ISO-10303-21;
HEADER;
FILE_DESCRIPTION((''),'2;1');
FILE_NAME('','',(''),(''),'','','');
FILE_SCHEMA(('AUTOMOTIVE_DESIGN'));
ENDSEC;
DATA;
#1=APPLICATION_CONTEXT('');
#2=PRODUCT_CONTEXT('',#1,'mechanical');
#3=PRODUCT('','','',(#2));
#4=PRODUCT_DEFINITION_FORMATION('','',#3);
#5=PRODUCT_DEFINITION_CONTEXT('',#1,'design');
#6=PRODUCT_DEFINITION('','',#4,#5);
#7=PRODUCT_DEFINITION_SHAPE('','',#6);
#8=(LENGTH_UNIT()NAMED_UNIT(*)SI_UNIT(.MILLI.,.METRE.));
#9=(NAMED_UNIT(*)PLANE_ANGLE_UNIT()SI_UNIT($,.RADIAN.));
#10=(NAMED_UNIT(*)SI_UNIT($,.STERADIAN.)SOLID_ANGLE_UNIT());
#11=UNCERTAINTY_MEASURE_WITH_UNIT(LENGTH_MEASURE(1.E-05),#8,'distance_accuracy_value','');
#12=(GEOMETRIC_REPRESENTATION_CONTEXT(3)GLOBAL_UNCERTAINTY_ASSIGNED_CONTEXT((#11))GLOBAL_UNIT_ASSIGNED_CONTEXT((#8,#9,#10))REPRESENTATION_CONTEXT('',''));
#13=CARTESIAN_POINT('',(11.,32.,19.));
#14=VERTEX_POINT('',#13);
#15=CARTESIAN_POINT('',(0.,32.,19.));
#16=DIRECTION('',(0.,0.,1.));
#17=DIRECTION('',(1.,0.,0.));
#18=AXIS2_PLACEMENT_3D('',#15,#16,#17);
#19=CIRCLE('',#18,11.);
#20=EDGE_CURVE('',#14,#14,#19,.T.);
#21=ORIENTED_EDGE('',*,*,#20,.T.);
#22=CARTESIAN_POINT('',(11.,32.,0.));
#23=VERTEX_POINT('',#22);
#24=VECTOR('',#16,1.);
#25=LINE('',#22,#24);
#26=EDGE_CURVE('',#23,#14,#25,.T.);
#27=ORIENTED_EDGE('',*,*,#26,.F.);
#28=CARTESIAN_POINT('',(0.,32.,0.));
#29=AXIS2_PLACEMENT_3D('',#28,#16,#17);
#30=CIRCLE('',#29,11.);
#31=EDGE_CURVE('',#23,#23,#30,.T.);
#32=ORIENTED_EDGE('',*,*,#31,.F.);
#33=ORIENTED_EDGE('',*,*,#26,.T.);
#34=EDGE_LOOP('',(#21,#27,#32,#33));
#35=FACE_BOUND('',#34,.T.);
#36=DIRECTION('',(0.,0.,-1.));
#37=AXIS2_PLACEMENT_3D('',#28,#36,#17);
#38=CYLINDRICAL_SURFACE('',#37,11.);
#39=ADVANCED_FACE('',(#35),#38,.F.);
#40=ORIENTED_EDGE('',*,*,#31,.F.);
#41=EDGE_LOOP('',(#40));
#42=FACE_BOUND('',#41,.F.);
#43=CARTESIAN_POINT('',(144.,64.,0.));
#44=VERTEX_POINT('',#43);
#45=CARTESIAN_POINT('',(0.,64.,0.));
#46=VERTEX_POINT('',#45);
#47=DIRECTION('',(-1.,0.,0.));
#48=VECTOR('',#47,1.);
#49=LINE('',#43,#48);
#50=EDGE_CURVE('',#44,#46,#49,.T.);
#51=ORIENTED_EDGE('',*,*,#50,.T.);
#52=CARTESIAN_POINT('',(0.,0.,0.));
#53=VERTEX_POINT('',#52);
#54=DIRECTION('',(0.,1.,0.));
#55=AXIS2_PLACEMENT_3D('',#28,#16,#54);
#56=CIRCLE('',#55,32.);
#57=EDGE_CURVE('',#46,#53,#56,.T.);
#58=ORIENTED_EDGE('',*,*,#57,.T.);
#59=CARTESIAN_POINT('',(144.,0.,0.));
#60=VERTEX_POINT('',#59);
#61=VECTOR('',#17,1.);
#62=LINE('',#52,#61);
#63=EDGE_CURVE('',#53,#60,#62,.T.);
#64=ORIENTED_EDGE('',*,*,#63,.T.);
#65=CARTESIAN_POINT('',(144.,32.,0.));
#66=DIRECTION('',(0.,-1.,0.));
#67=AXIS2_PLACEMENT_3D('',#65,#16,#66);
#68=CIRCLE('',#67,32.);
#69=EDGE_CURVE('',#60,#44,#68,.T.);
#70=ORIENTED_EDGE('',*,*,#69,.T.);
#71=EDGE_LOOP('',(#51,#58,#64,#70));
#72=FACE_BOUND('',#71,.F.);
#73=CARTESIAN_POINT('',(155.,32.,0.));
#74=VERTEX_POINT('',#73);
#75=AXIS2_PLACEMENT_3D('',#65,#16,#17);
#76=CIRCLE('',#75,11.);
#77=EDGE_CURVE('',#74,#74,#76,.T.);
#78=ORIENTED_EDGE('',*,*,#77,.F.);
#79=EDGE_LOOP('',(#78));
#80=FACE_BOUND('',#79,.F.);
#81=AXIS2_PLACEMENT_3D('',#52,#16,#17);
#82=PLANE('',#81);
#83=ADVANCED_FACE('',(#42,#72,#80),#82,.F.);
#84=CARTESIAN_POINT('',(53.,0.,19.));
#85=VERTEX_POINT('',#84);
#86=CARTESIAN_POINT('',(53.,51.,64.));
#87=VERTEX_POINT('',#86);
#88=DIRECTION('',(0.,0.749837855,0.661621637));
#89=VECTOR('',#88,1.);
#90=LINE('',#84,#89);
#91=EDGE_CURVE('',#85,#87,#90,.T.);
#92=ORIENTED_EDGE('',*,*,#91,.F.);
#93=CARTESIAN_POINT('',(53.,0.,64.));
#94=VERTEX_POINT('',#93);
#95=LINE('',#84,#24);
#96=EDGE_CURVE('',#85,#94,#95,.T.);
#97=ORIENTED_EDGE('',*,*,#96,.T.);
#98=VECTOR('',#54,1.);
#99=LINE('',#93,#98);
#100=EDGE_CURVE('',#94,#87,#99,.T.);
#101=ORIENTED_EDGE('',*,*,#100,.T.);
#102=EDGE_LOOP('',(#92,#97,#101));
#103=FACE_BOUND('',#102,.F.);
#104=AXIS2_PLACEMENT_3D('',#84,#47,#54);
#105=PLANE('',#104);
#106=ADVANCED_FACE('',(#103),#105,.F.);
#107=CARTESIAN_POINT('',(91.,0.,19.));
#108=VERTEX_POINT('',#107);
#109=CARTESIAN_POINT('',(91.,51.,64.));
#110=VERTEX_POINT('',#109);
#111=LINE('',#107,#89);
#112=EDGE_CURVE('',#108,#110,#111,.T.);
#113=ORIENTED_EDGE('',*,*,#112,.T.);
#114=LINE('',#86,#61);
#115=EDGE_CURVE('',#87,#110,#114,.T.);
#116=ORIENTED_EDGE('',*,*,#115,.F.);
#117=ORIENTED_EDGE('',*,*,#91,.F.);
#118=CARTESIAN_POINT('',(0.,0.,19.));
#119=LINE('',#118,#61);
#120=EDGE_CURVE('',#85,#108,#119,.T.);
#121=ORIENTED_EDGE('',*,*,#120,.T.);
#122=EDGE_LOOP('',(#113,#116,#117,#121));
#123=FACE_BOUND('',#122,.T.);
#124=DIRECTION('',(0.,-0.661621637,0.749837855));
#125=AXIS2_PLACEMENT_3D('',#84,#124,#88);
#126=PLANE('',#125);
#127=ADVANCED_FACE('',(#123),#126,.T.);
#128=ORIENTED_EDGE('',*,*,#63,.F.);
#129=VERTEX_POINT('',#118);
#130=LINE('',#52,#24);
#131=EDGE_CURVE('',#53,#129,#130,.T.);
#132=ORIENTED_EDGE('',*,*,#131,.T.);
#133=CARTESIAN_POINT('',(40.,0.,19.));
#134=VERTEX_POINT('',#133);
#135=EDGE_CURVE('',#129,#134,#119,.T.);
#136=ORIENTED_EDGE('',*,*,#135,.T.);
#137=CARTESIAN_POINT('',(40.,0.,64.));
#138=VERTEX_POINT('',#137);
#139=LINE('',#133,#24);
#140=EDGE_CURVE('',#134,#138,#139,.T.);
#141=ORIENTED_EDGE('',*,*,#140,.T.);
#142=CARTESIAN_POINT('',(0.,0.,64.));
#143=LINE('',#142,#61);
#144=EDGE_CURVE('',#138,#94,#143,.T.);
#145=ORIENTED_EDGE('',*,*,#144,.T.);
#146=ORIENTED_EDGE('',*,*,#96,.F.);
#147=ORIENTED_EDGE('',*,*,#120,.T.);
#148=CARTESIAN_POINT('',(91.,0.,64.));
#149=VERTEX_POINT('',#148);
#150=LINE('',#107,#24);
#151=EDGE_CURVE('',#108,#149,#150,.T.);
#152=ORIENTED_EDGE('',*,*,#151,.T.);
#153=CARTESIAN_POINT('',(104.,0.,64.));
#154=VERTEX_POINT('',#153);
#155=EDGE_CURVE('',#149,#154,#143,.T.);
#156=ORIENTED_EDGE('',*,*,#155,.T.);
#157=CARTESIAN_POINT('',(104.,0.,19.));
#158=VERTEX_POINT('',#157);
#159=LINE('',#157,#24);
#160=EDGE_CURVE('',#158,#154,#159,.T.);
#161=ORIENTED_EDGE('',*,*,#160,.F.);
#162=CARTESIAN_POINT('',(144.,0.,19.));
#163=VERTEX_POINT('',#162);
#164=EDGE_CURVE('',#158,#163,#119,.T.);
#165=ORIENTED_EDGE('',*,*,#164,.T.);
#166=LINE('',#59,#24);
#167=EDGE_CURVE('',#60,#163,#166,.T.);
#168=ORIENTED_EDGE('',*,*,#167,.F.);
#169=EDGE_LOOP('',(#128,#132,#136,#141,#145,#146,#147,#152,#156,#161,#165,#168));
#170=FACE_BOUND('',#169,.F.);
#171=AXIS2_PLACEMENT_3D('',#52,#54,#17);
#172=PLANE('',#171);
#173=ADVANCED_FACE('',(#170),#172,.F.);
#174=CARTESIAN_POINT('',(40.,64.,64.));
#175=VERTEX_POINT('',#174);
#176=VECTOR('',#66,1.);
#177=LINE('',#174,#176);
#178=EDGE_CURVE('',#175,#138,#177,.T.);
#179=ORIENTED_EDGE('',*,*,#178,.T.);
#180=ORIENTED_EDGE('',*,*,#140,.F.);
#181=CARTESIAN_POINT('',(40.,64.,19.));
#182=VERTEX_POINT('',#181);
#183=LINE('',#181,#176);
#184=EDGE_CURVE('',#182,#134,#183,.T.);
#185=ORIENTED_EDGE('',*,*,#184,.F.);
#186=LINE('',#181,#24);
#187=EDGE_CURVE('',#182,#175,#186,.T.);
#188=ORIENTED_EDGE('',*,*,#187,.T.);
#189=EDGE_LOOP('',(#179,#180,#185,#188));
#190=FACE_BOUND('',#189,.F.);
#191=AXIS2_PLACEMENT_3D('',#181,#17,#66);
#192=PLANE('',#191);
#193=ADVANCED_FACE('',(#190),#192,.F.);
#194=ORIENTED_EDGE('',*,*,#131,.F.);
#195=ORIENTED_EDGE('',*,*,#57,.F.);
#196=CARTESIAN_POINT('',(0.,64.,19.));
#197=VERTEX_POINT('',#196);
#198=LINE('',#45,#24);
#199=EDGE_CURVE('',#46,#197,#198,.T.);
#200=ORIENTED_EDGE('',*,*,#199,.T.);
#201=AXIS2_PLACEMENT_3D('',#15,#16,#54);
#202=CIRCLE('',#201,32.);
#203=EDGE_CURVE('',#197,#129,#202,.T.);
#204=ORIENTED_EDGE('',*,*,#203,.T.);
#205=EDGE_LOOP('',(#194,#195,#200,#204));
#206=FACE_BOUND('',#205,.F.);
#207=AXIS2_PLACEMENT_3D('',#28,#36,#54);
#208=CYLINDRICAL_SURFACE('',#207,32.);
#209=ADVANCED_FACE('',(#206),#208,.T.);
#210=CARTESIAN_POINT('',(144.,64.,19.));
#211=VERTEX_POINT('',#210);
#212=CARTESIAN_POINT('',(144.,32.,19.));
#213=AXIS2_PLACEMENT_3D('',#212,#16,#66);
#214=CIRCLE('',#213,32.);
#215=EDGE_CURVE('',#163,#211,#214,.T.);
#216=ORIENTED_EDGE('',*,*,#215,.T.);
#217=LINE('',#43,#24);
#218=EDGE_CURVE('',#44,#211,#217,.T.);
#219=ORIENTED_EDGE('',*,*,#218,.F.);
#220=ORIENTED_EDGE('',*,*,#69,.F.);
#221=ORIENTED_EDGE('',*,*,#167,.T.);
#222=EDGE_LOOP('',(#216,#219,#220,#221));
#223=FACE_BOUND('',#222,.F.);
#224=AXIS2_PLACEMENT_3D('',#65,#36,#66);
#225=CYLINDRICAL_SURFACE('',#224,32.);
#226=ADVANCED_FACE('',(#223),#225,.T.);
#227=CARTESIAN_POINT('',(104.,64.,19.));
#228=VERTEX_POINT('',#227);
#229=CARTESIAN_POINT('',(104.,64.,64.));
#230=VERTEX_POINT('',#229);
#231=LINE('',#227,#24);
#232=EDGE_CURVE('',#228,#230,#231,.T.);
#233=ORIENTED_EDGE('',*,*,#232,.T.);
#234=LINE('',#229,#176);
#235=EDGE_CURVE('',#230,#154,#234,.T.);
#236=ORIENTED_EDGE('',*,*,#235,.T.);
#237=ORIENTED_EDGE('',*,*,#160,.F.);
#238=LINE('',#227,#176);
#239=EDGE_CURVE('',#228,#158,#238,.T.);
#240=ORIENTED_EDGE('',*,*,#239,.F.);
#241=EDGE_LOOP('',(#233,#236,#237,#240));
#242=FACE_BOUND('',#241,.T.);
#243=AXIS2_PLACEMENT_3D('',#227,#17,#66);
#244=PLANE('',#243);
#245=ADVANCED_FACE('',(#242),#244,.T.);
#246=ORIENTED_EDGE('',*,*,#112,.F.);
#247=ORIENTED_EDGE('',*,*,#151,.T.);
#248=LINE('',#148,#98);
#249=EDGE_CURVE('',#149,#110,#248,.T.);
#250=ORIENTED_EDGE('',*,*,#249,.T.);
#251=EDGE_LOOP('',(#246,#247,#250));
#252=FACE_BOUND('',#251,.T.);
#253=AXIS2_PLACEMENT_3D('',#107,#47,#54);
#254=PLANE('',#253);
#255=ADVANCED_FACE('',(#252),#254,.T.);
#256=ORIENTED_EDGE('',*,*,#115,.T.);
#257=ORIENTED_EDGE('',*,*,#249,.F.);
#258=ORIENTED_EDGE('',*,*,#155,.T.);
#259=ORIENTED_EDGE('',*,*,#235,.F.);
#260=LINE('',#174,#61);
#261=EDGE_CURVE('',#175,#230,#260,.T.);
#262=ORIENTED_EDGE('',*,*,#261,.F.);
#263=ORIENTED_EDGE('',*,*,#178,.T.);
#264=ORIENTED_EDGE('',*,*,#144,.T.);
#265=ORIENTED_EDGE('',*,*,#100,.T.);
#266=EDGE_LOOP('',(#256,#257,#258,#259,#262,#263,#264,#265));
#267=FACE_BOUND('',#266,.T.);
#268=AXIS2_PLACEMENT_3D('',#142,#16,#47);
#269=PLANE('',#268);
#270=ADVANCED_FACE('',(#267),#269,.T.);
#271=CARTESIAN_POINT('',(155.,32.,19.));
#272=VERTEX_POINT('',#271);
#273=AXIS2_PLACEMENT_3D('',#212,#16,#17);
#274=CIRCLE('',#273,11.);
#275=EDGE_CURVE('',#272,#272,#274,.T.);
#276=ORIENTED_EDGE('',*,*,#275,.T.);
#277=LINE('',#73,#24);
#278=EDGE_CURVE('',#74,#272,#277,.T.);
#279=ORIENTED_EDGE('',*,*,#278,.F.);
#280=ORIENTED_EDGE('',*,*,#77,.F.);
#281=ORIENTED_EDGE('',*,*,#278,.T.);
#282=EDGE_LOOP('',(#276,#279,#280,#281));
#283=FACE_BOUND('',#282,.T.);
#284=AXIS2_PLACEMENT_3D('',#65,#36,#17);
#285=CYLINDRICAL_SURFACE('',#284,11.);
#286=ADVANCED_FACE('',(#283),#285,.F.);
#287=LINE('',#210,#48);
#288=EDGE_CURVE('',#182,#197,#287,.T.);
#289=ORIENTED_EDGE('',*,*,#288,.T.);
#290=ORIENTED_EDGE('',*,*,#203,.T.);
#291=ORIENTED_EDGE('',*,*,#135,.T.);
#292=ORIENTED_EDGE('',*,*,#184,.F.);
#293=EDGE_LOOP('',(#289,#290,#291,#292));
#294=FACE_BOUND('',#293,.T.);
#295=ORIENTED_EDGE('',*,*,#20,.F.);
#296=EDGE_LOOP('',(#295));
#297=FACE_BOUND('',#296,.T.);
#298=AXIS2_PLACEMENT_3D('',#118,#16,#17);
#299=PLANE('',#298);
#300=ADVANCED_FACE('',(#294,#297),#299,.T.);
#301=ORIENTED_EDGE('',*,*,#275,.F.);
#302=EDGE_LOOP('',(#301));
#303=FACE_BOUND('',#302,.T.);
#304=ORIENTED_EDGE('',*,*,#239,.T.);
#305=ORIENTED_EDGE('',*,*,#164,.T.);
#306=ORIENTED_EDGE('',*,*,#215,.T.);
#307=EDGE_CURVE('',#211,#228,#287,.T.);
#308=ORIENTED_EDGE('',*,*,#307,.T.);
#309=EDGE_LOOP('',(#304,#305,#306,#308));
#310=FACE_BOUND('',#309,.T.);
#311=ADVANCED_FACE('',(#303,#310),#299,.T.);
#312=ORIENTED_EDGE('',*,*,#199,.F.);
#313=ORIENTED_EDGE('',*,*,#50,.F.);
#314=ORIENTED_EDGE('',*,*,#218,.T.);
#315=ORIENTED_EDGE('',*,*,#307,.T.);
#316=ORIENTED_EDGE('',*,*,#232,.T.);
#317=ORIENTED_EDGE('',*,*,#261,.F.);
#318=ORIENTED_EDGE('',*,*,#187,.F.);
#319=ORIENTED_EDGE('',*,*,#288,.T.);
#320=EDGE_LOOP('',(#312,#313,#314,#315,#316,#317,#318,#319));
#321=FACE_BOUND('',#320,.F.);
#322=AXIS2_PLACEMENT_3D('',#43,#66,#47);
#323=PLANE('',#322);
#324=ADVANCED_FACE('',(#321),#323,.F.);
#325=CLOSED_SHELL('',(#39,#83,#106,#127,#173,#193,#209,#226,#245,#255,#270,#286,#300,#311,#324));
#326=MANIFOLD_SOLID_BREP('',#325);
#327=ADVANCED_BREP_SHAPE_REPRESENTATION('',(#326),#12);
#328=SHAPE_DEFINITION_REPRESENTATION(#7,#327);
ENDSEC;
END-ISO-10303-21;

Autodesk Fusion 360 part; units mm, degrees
sketch "Sketch1" plane through (0, 0, 0) normal (0, 0, 1) x (1, 0, 0)
  line L0 (0, 0) -> (144, 0)
  line L1 (144, 64) -> (0, 64)
  circle A0 centre (144, 32) radius 11
  circle A1 centre (0, 32) radius 11
  arc A2 (0, 64) -> (0, 0) centre (0, 32) ccw
  arc A3 (144, 0) -> (144, 64) centre (144, 32) ccw
extrude "Extrude1" add sketch "Sketch1" along normal blind 19
sketch "Sketch2" plane through (0, 0, 19) normal (0, 0, 1) x (-1, 0, 0)
  circle A0 centre (-144, -32) radius 11
  circle A1 centre (0, -32) radius 11
  arc A2 (-144, 0) -> (-144, -64) centre (-144, -32) ccw
  line L0 (-144, -64) -> (0, -64)
  arc A3 (0, -64) -> (0, 0) centre (0, -32) ccw
  line L1 (0, 0) -> (-144, 0)
  line L2 (-72, -64) -> (-104, -64)
  line L3 (-104, -64) -> (-104, 0)
  line L4 (-104, 0) -> (-91, 0)
  line L5 (-91, 0) -> (-91, -51)
  line L6 (-91, -51) -> (-72, -51)
  line L7 (-40, 0) -> (-53, 0)
  line L8 (-53, 0) -> (-53, -51)
  line L9 (-53, -51) -> (-72, -51)
  line L10 (-72, -64) -> (-40, -64)
  line L11 (-40, -64) -> (-40, 0)
  dimension "d7" = 32
  dimension "d8" = 13
  dimension "d9" = 51
extrude "Extrude2" add sketch "Sketch2" along normal blind 45 contours L0 L1 L2 L3 L4 L5 L6 L7 L8 L9 L10 L11
sketch "Sketch3" plane through (53, 0, 0) normal (1, 0, 0) x (0, 1, 0)
  line L0 (0, 19) -> (51, 19)
  line L1 (51, 19) -> (51, 64)
  line L2 (51, 64) -> (0, 64)
  line L3 (0, 64) -> (0, 19)
  line L4 (0, 19) -> (51, 64)
  line L5 (51, 64) -> (51, 19)
  line L6 (0, 19) -> (51, 19)
extrude "Extrude3" add sketch "Sketch3" along normal blind 50 contours L0 L1 L4 L5 L6
